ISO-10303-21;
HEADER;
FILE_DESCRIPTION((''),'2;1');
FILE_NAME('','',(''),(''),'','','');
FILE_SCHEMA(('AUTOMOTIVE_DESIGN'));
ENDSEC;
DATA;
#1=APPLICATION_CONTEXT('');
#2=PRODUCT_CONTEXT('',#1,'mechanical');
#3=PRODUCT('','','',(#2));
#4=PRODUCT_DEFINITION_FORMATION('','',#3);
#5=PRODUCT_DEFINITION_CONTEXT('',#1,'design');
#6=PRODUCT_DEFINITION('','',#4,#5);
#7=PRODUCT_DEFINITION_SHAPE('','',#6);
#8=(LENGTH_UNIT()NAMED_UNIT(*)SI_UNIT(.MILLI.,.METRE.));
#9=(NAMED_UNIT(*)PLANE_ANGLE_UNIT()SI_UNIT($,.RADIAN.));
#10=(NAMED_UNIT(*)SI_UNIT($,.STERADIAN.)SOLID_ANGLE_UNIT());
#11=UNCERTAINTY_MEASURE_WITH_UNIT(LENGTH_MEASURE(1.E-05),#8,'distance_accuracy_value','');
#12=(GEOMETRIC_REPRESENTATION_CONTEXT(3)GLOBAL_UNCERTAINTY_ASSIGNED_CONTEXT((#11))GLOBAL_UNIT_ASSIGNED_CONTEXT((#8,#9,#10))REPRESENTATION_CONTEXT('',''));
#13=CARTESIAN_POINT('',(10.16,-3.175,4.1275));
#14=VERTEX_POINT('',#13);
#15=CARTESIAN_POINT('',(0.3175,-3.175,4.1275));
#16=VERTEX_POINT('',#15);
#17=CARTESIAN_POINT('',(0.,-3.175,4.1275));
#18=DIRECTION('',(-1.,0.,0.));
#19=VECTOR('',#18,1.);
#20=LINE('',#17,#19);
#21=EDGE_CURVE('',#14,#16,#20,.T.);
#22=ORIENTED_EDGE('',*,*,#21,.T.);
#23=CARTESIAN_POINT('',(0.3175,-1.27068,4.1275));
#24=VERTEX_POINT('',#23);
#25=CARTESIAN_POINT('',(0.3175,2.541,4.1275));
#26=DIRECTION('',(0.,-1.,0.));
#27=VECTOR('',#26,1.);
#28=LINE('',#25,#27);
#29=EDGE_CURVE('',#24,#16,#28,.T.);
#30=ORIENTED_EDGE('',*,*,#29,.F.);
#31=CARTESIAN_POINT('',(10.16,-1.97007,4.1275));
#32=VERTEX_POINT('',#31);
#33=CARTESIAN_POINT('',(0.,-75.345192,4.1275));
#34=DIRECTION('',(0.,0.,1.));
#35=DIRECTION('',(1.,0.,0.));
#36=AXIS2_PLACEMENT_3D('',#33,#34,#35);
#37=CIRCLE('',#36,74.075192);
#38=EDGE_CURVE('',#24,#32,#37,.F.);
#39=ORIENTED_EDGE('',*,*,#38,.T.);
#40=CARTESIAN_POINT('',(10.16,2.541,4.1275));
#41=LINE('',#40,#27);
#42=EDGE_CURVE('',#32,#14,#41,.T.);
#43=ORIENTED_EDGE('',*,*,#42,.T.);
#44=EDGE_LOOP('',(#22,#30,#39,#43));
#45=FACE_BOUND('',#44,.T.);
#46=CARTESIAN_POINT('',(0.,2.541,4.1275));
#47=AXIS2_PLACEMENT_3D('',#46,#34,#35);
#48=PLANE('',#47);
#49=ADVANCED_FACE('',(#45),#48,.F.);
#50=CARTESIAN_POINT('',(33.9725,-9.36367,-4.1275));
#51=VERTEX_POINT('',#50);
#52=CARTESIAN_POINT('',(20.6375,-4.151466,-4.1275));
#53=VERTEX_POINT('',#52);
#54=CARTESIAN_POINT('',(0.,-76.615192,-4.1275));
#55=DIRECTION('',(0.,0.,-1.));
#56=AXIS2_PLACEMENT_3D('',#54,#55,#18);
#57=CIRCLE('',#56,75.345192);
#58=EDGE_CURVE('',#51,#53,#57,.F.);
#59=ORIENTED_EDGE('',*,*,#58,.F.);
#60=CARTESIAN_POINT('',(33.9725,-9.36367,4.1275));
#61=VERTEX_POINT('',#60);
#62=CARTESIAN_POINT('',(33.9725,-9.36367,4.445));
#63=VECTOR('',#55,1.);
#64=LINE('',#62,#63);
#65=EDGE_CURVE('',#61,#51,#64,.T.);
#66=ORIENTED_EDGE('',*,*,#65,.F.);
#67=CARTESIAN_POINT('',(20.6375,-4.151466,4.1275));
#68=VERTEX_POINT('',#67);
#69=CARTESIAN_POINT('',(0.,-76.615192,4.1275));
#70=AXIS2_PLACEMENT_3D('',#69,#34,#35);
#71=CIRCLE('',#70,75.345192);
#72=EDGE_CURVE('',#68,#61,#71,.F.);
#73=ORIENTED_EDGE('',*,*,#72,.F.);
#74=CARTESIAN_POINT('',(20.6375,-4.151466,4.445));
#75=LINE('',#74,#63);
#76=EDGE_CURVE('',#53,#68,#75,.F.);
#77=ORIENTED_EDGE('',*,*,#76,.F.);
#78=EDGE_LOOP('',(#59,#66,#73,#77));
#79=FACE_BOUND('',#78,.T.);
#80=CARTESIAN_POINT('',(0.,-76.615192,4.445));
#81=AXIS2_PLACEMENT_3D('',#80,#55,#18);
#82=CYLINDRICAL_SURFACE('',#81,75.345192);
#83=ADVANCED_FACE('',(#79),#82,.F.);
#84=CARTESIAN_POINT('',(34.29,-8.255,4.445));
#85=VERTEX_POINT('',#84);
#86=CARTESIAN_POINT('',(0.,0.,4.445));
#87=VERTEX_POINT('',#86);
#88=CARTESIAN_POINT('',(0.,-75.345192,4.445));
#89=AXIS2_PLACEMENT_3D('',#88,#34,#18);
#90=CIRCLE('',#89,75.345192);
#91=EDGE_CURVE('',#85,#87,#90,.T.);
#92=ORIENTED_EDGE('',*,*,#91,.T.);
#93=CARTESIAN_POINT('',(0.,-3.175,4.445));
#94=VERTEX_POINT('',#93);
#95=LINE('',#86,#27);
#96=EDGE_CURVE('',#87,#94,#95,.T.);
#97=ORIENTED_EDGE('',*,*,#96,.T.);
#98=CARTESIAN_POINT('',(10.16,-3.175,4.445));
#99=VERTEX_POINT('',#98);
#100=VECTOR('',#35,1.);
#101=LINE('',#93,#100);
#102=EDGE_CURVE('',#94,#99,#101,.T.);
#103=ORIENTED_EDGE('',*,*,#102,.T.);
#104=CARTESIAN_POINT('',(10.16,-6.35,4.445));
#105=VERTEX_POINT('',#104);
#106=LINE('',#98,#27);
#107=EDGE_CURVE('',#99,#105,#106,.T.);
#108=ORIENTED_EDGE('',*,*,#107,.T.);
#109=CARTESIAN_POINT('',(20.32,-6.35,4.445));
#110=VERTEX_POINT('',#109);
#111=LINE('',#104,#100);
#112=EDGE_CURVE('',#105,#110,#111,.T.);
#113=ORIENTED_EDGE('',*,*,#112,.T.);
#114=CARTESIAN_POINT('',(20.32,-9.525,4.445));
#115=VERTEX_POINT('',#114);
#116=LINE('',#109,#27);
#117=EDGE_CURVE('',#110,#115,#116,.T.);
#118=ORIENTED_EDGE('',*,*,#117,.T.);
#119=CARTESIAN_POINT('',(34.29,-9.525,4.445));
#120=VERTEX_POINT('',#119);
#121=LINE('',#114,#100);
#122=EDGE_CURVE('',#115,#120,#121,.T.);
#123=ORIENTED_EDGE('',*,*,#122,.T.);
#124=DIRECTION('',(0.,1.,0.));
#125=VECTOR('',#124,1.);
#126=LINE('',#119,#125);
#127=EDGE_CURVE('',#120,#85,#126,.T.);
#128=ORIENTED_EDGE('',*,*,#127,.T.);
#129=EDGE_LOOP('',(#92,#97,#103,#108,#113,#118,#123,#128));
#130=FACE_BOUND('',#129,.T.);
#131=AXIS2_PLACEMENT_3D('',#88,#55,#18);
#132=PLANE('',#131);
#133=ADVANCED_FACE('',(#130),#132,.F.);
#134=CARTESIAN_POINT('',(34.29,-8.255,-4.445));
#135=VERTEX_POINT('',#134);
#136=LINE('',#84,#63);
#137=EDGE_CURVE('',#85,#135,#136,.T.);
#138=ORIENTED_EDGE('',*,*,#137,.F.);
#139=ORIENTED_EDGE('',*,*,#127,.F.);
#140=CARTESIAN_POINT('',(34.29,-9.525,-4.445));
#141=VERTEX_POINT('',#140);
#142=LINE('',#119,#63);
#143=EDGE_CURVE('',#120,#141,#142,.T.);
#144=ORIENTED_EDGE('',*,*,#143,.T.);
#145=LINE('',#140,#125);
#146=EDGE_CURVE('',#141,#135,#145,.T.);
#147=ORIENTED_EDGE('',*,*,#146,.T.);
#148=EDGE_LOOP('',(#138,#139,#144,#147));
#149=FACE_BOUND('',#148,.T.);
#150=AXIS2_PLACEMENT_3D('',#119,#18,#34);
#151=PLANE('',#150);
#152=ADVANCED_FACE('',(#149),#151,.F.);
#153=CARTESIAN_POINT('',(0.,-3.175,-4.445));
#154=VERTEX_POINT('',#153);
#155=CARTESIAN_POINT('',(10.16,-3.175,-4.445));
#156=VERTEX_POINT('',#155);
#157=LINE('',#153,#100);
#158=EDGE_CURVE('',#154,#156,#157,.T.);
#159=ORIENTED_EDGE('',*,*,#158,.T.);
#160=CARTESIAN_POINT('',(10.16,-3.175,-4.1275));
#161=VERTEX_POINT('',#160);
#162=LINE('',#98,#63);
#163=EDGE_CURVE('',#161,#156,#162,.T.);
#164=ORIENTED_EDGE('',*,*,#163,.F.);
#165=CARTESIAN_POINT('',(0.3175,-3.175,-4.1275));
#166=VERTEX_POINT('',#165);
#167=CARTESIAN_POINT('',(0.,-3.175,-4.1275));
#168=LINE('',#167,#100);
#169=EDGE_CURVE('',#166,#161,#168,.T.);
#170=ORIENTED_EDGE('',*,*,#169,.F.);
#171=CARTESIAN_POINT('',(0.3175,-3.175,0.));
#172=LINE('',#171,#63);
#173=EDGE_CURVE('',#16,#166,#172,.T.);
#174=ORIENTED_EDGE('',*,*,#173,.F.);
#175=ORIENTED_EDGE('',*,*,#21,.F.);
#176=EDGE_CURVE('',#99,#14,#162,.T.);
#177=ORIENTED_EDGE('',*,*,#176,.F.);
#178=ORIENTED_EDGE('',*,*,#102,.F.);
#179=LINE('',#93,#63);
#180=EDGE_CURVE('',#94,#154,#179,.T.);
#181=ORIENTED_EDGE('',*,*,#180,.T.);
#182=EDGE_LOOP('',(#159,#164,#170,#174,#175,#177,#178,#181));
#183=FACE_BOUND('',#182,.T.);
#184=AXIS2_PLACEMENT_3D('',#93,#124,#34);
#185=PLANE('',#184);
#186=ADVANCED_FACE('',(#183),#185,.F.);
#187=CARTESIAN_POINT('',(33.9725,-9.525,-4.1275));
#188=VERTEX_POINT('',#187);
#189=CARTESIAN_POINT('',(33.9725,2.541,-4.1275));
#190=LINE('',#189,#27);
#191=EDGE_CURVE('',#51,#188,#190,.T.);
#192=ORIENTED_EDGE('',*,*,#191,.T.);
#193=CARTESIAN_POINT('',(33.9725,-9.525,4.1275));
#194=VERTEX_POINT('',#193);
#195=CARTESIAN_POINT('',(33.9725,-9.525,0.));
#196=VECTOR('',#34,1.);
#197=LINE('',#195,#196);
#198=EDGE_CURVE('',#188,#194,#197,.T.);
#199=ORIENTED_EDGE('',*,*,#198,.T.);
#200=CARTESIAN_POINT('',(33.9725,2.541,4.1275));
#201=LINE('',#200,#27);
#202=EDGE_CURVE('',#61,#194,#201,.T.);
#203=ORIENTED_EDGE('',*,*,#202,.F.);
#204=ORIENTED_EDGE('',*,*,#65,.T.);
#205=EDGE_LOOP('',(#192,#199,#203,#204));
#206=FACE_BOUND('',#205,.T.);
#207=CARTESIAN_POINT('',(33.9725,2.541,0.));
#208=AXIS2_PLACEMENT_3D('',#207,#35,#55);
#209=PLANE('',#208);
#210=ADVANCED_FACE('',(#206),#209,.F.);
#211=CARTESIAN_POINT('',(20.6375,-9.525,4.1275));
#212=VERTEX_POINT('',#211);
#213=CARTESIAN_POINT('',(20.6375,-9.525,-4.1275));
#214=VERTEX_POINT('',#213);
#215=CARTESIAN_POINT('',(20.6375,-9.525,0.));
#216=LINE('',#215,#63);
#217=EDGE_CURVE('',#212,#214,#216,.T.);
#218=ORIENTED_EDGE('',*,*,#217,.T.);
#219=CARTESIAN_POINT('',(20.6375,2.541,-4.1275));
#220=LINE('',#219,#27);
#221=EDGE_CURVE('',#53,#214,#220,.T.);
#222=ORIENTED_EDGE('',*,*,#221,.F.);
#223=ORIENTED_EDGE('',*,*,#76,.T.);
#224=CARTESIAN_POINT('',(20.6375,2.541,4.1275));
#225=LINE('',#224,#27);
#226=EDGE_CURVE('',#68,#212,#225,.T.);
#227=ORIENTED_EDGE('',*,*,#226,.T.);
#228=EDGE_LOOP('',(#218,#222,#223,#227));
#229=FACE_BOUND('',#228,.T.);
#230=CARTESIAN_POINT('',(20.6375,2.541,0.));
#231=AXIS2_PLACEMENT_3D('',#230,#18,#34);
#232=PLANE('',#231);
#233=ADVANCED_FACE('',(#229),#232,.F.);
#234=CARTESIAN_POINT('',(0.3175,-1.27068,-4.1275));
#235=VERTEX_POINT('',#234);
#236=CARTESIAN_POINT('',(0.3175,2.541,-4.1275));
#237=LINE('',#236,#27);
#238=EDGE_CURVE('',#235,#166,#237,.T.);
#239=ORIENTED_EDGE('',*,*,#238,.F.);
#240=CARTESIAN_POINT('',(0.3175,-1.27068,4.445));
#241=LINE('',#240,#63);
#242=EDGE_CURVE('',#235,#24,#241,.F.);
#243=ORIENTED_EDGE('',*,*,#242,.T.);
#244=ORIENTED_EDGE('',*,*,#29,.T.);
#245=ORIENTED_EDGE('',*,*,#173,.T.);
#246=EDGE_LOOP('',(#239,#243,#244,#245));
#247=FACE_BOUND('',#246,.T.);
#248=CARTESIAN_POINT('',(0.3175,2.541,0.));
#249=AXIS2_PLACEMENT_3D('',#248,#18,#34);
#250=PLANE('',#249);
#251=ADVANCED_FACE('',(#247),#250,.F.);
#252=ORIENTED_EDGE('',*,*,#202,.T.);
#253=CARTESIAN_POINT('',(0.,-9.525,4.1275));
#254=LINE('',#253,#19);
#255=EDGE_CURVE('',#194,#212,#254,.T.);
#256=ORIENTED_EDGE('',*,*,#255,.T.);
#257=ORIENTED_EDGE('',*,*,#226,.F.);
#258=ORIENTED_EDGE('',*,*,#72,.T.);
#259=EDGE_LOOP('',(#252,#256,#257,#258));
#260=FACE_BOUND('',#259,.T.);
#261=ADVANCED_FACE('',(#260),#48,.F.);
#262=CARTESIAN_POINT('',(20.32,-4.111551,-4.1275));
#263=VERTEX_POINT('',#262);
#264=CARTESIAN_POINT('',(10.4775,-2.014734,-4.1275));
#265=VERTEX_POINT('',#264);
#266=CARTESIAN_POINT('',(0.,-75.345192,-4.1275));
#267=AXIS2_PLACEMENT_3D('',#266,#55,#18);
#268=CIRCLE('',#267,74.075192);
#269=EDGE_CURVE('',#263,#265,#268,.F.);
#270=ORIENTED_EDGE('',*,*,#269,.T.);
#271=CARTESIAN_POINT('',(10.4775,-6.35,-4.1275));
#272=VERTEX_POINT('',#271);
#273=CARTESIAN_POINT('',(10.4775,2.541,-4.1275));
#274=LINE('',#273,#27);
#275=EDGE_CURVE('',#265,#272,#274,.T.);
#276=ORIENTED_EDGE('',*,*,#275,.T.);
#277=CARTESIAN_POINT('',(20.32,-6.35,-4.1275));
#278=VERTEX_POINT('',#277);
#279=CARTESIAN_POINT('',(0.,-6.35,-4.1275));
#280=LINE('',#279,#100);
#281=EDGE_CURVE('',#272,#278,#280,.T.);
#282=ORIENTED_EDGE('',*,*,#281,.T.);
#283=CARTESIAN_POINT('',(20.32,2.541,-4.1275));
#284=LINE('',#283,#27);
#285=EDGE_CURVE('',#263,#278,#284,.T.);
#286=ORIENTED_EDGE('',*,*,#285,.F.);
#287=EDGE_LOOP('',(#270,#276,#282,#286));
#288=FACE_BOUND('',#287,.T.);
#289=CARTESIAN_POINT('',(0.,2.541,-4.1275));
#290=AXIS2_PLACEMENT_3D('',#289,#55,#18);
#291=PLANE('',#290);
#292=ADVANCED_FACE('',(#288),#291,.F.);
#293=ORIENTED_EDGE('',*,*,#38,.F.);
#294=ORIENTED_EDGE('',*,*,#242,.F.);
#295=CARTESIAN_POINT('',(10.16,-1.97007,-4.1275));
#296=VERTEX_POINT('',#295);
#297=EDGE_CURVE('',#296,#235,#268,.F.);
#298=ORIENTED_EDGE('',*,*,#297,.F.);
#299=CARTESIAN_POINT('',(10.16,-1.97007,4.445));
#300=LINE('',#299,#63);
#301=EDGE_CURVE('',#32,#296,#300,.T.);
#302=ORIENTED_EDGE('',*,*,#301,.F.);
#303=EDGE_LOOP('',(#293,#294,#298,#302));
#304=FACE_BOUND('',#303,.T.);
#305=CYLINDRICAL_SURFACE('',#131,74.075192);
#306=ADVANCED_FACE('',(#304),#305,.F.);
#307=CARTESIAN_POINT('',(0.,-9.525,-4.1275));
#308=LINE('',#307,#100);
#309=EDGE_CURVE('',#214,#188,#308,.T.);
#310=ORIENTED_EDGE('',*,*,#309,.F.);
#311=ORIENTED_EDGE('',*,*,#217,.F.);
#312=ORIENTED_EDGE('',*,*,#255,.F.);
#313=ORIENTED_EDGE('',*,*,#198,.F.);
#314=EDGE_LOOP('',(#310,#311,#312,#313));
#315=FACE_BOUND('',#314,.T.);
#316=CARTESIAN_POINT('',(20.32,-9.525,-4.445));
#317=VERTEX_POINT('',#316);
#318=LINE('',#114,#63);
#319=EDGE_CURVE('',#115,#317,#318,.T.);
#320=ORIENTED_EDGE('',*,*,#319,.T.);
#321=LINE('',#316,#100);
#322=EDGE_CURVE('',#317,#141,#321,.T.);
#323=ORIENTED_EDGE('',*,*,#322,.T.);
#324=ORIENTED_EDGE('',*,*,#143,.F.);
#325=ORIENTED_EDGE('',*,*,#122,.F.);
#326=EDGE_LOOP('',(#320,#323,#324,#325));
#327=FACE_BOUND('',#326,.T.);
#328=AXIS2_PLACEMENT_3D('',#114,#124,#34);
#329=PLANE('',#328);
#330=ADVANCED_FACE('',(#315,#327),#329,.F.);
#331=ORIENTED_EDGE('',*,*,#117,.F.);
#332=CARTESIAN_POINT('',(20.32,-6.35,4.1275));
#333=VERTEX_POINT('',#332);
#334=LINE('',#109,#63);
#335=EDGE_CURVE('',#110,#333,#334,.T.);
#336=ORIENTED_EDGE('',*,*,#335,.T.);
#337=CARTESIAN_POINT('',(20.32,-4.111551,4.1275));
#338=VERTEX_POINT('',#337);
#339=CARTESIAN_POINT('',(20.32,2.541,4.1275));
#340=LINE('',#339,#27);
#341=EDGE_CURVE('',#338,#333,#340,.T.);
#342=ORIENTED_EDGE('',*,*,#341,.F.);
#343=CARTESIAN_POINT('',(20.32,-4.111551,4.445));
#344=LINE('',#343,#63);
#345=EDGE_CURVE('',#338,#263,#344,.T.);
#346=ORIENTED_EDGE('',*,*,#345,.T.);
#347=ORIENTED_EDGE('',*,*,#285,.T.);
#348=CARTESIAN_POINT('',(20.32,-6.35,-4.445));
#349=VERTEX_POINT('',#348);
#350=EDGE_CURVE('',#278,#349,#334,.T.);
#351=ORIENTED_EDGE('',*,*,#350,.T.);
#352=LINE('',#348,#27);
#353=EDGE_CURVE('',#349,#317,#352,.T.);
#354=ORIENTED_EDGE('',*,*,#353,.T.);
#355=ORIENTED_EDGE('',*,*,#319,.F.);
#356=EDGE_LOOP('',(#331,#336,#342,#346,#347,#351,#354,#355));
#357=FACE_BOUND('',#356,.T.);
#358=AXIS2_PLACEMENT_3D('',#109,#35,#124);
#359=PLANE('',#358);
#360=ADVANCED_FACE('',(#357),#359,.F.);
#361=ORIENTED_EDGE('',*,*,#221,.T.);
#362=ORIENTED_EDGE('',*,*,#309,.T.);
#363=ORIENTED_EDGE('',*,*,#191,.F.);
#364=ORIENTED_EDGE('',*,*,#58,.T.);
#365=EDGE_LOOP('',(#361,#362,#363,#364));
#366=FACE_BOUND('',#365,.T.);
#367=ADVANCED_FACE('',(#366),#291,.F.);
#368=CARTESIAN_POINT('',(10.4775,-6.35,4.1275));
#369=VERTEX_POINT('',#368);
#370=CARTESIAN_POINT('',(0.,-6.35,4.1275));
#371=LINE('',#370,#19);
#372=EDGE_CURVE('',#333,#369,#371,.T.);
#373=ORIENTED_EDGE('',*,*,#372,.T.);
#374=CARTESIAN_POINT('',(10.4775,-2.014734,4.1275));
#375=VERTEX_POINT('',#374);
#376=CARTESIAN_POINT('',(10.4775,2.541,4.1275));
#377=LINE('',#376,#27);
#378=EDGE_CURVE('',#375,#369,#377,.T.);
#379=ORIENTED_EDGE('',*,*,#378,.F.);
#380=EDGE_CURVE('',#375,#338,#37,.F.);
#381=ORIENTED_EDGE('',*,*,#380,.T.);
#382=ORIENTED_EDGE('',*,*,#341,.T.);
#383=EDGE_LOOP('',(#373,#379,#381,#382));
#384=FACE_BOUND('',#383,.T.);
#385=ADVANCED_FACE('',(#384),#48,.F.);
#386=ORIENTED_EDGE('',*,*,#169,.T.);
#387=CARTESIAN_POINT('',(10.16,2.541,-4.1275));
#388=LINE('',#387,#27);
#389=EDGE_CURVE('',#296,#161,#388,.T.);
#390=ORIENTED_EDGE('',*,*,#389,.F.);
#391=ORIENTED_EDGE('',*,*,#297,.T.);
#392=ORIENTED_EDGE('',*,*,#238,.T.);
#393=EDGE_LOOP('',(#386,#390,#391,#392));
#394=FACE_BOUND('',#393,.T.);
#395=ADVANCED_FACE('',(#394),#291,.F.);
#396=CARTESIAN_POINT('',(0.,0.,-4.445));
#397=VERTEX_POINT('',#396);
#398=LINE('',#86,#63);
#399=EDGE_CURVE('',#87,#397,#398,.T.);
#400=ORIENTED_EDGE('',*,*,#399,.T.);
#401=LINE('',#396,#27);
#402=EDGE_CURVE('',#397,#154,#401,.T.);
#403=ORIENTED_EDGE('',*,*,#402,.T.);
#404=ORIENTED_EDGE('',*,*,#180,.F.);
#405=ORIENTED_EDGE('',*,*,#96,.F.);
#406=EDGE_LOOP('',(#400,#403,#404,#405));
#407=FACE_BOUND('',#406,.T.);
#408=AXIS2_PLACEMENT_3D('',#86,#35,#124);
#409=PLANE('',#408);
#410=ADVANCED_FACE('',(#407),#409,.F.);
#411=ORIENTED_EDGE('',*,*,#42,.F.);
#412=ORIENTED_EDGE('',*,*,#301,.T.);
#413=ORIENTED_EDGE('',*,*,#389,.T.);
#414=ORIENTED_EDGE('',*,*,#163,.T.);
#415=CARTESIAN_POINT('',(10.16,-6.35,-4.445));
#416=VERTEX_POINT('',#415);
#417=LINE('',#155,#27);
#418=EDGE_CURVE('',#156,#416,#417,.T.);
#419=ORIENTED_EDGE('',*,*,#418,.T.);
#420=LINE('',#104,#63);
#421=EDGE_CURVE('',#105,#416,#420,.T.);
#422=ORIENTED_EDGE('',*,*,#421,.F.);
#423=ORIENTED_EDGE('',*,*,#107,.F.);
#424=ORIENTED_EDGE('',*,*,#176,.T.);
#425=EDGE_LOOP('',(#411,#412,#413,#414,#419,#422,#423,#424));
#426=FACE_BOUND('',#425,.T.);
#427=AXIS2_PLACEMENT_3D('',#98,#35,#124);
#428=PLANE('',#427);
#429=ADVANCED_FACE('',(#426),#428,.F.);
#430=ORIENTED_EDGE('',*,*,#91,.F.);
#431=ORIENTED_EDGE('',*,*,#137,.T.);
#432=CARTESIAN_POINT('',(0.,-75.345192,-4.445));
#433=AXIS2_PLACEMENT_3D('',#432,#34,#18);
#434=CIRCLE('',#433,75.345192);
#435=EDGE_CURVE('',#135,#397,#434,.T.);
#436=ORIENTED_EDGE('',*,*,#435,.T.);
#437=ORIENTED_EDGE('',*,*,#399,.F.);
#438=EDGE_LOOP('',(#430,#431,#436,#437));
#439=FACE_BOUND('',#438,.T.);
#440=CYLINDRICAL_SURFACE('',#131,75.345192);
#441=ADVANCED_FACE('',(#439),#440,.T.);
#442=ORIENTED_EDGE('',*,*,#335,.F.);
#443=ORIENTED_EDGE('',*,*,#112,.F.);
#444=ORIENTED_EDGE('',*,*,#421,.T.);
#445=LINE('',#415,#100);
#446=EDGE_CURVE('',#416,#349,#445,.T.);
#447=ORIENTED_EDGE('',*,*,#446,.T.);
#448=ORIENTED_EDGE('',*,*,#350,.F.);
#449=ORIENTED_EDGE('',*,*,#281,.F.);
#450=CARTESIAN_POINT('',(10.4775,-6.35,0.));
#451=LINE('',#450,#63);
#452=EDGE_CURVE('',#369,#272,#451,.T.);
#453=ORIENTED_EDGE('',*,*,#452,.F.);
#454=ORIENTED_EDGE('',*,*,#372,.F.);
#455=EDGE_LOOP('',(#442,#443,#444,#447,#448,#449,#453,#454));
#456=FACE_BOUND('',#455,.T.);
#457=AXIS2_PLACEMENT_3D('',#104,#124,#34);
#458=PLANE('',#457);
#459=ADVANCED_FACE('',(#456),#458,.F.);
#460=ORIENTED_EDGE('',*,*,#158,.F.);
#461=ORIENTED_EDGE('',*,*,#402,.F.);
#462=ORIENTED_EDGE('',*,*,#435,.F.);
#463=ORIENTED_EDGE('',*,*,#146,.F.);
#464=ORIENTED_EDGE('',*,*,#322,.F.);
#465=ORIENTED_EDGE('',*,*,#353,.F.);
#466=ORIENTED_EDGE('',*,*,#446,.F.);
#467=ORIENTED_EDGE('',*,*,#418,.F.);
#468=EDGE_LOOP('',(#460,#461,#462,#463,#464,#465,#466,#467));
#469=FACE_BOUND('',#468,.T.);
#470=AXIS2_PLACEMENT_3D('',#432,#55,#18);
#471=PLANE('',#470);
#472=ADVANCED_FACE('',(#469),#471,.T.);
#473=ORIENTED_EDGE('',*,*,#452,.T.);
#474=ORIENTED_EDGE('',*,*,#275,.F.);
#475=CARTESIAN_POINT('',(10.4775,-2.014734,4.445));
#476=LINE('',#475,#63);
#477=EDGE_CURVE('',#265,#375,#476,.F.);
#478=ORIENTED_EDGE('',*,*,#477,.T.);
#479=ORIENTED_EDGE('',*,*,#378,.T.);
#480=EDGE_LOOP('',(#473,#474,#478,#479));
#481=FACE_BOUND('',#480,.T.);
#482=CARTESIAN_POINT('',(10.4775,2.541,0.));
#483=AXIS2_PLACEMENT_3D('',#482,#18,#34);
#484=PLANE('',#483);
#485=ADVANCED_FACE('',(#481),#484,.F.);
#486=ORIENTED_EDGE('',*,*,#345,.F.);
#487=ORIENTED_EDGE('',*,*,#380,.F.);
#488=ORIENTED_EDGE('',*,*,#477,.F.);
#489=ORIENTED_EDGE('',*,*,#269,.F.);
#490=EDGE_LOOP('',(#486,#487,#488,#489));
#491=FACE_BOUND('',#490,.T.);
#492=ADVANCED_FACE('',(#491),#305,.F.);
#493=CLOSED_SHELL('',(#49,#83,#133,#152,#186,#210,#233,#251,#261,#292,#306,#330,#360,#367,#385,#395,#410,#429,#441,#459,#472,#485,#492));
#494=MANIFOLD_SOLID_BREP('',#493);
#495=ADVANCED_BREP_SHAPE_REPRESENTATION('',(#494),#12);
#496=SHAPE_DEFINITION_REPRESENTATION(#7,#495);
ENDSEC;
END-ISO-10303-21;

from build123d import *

# Parameters (mm, degrees)
BOSS_EXTRUDE1_DEPTH     = 4.445
CUT_EXTRUDE2_REACH      = 37.155
CUT_EXTRUDE2_END_RADIUS = 74.075192308
SKETCH2_W               = 9.8425
SKETCH2_H               = 8.255
CUT_EXTRUDE3_REACH      = 37.155
CUT_EXTRUDE3_END_RADIUS = 74.075192308
SKETCH3_W               = 9.8425
SKETCH3_H               = 8.255
CUT_EXTRUDE5_REACH      = 37.865
CUT_EXTRUDE5_END_RADIUS = 75.345192308
SKETCH4_W               = 13.335
SKETCH4_H               = 8.255


with BuildPart() as part:
    # Sketch1 → Boss-Extrude1 (new, symmetric)
    with BuildSketch(Plane.XY):
        with BuildLine():
            Line((0, 0), (0, -3.175))
            Line((0, -3.175), (10.16, -3.175))
            Line((10.16, -3.175), (10.16, -6.35))
            Line((10.16, -6.35), (20.32, -6.35))
            Line((20.32, -6.35), (20.32, -9.525))
            Line((20.32, -9.525), (34.29, -9.525))
            Line((34.29, -9.525), (34.29, -8.255))
            ThreePointArc((34.29, -8.255), (17.634831478, -2.0928154), (0, 0))
        make_face()
    extrude(amount=BOSS_EXTRUDE1_DEPTH, both=True)

    # Cut-Extrude2: up to this cylinder (the profile starts inside it)
    cut_extrude2_end = Plane(origin=(0, -75.345192308, 0), z_dir=(0, 0, -1)) * Cylinder(CUT_EXTRUDE2_END_RADIUS, 223.460384615, mode=Mode.PRIVATE)
    # Sketch2 → Cut-Extrude2 (cut, up to the surface)
    with BuildSketch(Plane.XZ.offset(3.175), mode=Mode.PRIVATE) as cut_extrude2_sk1:
        with Locations((5.23875, 0)):
            Rectangle(SKETCH2_W, SKETCH2_H)
    cut_extrude2_tool1 = extrude(cut_extrude2_sk1.sketch, amount=-CUT_EXTRUDE2_REACH, mode=Mode.PRIVATE) & cut_extrude2_end
    add(cut_extrude2_tool1.solids().sort_by_distance((5.23875, -3.175, 0))[0], mode=Mode.SUBTRACT)

    # Cut-Extrude3: up to this cylinder (the profile starts inside it)
    cut_extrude3_end = Plane(origin=(0, -75.345192308, 0), z_dir=(0, 0, -1)) * Cylinder(CUT_EXTRUDE3_END_RADIUS, 223.460384615, mode=Mode.PRIVATE)
    # Sketch3 → Cut-Extrude3 (cut, up to the surface)
    with BuildSketch(Plane.XZ.offset(6.35), mode=Mode.PRIVATE) as cut_extrude3_sk1:
        with Locations((15.39875, 0)):
            Rectangle(SKETCH3_W, SKETCH3_H)
    cut_extrude3_tool1 = extrude(cut_extrude3_sk1.sketch, amount=-CUT_EXTRUDE3_REACH, mode=Mode.PRIVATE) & cut_extrude3_end
    add(cut_extrude3_tool1.solids().sort_by_distance((15.39875, -6.35, 0))[0], mode=Mode.SUBTRACT)

    # Cut-Extrude5: up to this cylinder (the profile starts inside it)
    cut_extrude5_end = Plane(origin=(0, -76.615192308, 0), z_dir=(0, 0, -1)) * Cylinder(CUT_EXTRUDE5_END_RADIUS, 227.420384615, mode=Mode.PRIVATE)
    # Sketch4 → Cut-Extrude5 (cut, up to the surface)
    with BuildSketch(Plane.XZ.offset(9.525), mode=Mode.PRIVATE) as cut_extrude5_sk1:
        with Locations((27.305, 0)):
            Rectangle(SKETCH4_W, SKETCH4_H)
    cut_extrude5_tool1 = extrude(cut_extrude5_sk1.sketch, amount=-CUT_EXTRUDE5_REACH, mode=Mode.PRIVATE) & cut_extrude5_end
    add(cut_extrude5_tool1.solids().sort_by_distance((27.305, -9.525, 0))[0], mode=Mode.SUBTRACT)


solid = part.part
